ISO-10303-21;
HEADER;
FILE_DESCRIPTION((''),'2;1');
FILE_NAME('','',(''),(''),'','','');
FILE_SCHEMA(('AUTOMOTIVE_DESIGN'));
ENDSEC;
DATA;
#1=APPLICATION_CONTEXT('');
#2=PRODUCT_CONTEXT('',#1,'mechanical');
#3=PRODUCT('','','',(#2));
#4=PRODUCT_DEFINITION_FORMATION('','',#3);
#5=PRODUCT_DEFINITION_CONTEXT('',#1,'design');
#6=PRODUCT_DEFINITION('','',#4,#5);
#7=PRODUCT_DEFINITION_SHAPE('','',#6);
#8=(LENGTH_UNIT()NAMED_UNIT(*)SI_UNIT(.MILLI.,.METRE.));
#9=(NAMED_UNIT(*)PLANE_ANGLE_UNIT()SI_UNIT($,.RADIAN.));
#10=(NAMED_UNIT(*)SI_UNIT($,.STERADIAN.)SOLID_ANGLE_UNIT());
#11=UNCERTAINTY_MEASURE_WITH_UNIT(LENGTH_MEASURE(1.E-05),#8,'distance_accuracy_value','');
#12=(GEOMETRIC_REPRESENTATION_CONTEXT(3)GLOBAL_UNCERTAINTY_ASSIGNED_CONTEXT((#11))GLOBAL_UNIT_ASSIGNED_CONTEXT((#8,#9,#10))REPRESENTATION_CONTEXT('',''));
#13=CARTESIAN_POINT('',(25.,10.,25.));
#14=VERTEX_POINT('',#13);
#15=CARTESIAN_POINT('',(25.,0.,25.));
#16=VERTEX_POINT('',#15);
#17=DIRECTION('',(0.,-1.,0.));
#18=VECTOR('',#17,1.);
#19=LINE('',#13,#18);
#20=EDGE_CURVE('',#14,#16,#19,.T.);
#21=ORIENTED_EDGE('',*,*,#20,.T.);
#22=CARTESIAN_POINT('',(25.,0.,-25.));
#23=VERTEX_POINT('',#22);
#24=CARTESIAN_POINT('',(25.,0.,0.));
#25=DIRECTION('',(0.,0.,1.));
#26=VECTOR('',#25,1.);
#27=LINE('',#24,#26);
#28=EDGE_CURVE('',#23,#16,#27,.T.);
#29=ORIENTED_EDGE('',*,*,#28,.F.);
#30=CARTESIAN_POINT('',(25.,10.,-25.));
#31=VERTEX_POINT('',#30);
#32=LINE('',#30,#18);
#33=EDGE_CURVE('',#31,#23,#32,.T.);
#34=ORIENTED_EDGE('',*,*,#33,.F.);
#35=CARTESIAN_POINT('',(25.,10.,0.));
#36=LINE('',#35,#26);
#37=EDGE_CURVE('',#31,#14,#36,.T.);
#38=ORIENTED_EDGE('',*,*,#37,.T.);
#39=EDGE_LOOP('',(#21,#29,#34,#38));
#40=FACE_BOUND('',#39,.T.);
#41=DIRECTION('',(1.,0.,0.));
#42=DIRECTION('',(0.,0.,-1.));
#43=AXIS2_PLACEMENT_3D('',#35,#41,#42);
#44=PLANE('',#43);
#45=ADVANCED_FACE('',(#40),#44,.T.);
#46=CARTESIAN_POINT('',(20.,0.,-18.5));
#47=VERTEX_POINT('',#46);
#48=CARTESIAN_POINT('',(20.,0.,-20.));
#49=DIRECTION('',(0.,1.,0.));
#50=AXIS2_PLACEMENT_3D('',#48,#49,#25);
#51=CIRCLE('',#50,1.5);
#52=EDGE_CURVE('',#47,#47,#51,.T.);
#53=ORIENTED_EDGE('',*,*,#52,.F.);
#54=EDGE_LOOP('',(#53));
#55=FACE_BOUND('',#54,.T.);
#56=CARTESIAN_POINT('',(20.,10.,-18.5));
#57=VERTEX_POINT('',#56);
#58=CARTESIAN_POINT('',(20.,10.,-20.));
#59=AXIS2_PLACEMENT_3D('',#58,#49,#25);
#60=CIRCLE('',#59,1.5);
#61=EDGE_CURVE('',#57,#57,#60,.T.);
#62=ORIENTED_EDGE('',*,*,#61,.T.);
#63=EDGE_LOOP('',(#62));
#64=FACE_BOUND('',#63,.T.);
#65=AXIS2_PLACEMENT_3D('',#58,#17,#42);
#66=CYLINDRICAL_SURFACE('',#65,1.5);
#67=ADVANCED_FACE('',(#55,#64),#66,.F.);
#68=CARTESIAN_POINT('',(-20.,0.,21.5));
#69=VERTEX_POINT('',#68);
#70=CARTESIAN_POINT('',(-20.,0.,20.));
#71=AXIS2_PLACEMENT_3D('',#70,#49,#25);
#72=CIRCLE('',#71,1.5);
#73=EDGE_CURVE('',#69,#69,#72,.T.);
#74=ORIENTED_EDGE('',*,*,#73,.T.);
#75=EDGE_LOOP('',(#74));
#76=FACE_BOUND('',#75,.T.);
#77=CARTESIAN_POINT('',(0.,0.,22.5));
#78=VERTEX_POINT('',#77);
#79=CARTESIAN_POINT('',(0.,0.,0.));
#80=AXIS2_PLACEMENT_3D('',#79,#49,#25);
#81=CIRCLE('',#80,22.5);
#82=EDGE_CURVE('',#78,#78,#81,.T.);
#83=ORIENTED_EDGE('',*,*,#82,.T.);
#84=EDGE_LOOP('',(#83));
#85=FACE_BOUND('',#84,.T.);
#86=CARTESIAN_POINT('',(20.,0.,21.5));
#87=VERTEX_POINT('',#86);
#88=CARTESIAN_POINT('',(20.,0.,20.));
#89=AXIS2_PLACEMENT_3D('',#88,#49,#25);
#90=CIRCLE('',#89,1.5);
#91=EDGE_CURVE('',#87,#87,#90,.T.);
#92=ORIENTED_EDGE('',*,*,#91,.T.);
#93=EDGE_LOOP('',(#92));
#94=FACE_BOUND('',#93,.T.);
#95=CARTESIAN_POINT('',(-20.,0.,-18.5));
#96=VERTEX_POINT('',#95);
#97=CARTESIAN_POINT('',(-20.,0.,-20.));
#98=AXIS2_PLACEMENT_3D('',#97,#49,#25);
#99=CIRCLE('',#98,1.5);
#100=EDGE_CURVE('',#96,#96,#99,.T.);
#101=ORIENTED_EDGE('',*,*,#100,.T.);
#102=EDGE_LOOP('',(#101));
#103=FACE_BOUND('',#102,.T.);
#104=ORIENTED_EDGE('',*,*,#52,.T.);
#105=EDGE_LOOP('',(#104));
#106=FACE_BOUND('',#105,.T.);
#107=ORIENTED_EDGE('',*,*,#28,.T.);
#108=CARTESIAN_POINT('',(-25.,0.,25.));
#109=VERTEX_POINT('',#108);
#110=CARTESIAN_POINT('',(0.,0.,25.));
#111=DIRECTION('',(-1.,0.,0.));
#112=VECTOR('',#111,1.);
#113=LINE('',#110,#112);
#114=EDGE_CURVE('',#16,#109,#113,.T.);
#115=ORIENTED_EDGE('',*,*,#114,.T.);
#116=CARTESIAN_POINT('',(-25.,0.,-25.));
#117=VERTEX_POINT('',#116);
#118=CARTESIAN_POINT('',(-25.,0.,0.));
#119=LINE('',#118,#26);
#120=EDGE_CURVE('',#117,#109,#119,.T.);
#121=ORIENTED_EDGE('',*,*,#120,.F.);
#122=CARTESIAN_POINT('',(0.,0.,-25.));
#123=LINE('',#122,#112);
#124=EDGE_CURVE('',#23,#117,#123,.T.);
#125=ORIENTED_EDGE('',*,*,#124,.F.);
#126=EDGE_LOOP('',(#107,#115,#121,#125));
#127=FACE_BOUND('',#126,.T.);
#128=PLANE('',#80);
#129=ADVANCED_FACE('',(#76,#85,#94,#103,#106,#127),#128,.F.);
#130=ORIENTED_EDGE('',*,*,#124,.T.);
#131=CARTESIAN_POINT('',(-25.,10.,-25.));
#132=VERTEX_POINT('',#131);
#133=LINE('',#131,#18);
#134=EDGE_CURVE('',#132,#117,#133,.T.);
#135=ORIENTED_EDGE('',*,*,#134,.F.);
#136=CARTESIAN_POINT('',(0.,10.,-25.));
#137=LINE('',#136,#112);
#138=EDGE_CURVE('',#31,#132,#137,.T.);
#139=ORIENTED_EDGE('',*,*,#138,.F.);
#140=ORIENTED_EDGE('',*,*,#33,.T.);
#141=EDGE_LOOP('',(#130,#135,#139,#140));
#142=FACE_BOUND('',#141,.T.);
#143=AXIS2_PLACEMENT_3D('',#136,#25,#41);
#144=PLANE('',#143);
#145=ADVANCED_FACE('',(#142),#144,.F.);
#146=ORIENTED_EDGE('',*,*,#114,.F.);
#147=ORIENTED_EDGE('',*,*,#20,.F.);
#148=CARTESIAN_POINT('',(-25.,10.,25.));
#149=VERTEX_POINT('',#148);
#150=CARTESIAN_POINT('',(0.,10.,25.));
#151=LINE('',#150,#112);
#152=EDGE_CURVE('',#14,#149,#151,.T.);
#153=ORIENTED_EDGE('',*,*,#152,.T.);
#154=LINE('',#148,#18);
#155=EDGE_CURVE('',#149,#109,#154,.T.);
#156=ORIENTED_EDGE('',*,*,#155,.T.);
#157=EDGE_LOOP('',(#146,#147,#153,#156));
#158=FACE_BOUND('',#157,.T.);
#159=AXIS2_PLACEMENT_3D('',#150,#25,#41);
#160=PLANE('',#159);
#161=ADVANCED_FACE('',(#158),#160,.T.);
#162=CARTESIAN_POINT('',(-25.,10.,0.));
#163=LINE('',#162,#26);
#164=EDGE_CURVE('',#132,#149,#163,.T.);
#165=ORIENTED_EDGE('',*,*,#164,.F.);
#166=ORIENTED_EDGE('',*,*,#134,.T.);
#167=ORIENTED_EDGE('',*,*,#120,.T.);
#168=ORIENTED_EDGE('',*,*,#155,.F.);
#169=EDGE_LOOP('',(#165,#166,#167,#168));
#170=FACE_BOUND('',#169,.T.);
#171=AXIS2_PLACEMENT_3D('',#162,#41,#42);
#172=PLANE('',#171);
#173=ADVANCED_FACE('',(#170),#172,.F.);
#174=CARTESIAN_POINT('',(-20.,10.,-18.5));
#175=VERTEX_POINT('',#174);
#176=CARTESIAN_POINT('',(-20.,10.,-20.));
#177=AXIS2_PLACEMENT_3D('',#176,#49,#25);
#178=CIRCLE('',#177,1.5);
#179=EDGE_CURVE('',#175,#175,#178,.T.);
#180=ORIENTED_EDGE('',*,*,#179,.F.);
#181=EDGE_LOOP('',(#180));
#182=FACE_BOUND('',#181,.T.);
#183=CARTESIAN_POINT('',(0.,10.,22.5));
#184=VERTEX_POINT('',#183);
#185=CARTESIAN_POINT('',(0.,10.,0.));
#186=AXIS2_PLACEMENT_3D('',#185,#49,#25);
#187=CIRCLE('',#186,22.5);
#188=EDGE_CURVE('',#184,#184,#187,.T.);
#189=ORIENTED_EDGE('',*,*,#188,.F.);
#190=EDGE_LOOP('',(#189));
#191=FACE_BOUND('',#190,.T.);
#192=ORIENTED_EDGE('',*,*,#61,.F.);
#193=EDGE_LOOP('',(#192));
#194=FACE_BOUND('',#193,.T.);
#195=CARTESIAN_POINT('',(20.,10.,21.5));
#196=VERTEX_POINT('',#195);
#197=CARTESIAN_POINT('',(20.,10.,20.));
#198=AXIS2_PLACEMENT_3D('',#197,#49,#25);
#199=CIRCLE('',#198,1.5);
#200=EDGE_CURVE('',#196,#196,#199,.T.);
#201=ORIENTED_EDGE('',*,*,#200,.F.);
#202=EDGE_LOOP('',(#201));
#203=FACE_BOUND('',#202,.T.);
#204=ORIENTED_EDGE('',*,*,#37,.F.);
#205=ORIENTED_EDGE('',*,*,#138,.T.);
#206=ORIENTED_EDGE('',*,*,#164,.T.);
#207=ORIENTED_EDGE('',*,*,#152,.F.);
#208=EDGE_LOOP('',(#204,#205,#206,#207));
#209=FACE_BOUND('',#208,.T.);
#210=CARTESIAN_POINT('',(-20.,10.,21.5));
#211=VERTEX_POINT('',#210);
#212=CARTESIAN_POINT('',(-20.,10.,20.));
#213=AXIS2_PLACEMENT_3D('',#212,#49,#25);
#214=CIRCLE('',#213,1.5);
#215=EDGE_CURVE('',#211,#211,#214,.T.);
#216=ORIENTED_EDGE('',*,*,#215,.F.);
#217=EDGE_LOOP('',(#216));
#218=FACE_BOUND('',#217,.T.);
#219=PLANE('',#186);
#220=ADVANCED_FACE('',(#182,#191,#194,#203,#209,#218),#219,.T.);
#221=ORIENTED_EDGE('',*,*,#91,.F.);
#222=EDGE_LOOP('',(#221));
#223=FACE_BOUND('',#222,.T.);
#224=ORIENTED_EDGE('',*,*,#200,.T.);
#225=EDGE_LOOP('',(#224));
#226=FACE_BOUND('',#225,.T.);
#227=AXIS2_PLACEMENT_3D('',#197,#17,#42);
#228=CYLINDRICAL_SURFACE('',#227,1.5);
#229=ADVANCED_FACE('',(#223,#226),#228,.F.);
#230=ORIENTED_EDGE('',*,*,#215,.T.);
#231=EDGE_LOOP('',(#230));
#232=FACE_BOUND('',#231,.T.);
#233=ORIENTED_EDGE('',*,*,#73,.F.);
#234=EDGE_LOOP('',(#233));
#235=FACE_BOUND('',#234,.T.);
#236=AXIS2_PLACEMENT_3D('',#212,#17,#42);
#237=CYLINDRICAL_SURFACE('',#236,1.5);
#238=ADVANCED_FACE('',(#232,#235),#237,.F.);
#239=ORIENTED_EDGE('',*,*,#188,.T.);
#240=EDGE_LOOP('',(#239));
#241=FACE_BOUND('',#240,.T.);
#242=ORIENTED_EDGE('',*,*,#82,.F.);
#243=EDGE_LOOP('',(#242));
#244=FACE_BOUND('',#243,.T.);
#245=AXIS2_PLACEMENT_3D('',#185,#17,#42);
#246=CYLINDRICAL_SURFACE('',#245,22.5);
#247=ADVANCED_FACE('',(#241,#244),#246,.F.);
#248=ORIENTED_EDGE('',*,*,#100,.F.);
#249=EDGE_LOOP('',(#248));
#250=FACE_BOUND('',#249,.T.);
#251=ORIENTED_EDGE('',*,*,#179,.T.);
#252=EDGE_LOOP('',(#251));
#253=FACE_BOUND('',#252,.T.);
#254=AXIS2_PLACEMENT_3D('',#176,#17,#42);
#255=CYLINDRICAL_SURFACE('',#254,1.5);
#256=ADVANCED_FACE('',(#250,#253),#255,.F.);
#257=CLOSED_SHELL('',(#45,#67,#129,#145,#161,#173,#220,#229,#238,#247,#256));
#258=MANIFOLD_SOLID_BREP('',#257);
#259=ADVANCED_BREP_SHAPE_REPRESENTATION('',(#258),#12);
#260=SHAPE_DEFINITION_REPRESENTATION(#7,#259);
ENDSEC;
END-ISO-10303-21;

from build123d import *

# Parameters (mm, degrees)
SKETCH_1_W      = 50
SKETCH_1_H      = 50
SKETCH_1_R      = 1.5
SKETCH_1_R_2    = 22.5
EXTRUDE_1_DEPTH = 10


with BuildPart() as part:
    # 草图1 → 凸台-拉伸1 (new body)
    with BuildSketch(Plane(origin=(0, 0, 0), x_dir=(1, 0, 0), z_dir=(0, 1, 0))):
        Rectangle(SKETCH_1_W, SKETCH_1_H)
        with Locations(Location((-20, 20, 0), (0, 0, 270))):
            Circle(SKETCH_1_R, mode=Mode.SUBTRACT)
        with Locations(Location((20, 20, 0), (0, 0, 270))):
            Circle(SKETCH_1_R, mode=Mode.SUBTRACT)
        with Locations(Location((-20, -20, 0), (0, 0, 270))):
            Circle(SKETCH_1_R, mode=Mode.SUBTRACT)
        with Locations(Location((20, -20, 0), (0, 0, 270))):
            Circle(SKETCH_1_R, mode=Mode.SUBTRACT)
        with Locations(Location((0, 0, 0), (0, 0, 270))):
            Circle(SKETCH_1_R_2, mode=Mode.SUBTRACT)
    extrude(amount=EXTRUDE_1_DEPTH)


solid = part.part
